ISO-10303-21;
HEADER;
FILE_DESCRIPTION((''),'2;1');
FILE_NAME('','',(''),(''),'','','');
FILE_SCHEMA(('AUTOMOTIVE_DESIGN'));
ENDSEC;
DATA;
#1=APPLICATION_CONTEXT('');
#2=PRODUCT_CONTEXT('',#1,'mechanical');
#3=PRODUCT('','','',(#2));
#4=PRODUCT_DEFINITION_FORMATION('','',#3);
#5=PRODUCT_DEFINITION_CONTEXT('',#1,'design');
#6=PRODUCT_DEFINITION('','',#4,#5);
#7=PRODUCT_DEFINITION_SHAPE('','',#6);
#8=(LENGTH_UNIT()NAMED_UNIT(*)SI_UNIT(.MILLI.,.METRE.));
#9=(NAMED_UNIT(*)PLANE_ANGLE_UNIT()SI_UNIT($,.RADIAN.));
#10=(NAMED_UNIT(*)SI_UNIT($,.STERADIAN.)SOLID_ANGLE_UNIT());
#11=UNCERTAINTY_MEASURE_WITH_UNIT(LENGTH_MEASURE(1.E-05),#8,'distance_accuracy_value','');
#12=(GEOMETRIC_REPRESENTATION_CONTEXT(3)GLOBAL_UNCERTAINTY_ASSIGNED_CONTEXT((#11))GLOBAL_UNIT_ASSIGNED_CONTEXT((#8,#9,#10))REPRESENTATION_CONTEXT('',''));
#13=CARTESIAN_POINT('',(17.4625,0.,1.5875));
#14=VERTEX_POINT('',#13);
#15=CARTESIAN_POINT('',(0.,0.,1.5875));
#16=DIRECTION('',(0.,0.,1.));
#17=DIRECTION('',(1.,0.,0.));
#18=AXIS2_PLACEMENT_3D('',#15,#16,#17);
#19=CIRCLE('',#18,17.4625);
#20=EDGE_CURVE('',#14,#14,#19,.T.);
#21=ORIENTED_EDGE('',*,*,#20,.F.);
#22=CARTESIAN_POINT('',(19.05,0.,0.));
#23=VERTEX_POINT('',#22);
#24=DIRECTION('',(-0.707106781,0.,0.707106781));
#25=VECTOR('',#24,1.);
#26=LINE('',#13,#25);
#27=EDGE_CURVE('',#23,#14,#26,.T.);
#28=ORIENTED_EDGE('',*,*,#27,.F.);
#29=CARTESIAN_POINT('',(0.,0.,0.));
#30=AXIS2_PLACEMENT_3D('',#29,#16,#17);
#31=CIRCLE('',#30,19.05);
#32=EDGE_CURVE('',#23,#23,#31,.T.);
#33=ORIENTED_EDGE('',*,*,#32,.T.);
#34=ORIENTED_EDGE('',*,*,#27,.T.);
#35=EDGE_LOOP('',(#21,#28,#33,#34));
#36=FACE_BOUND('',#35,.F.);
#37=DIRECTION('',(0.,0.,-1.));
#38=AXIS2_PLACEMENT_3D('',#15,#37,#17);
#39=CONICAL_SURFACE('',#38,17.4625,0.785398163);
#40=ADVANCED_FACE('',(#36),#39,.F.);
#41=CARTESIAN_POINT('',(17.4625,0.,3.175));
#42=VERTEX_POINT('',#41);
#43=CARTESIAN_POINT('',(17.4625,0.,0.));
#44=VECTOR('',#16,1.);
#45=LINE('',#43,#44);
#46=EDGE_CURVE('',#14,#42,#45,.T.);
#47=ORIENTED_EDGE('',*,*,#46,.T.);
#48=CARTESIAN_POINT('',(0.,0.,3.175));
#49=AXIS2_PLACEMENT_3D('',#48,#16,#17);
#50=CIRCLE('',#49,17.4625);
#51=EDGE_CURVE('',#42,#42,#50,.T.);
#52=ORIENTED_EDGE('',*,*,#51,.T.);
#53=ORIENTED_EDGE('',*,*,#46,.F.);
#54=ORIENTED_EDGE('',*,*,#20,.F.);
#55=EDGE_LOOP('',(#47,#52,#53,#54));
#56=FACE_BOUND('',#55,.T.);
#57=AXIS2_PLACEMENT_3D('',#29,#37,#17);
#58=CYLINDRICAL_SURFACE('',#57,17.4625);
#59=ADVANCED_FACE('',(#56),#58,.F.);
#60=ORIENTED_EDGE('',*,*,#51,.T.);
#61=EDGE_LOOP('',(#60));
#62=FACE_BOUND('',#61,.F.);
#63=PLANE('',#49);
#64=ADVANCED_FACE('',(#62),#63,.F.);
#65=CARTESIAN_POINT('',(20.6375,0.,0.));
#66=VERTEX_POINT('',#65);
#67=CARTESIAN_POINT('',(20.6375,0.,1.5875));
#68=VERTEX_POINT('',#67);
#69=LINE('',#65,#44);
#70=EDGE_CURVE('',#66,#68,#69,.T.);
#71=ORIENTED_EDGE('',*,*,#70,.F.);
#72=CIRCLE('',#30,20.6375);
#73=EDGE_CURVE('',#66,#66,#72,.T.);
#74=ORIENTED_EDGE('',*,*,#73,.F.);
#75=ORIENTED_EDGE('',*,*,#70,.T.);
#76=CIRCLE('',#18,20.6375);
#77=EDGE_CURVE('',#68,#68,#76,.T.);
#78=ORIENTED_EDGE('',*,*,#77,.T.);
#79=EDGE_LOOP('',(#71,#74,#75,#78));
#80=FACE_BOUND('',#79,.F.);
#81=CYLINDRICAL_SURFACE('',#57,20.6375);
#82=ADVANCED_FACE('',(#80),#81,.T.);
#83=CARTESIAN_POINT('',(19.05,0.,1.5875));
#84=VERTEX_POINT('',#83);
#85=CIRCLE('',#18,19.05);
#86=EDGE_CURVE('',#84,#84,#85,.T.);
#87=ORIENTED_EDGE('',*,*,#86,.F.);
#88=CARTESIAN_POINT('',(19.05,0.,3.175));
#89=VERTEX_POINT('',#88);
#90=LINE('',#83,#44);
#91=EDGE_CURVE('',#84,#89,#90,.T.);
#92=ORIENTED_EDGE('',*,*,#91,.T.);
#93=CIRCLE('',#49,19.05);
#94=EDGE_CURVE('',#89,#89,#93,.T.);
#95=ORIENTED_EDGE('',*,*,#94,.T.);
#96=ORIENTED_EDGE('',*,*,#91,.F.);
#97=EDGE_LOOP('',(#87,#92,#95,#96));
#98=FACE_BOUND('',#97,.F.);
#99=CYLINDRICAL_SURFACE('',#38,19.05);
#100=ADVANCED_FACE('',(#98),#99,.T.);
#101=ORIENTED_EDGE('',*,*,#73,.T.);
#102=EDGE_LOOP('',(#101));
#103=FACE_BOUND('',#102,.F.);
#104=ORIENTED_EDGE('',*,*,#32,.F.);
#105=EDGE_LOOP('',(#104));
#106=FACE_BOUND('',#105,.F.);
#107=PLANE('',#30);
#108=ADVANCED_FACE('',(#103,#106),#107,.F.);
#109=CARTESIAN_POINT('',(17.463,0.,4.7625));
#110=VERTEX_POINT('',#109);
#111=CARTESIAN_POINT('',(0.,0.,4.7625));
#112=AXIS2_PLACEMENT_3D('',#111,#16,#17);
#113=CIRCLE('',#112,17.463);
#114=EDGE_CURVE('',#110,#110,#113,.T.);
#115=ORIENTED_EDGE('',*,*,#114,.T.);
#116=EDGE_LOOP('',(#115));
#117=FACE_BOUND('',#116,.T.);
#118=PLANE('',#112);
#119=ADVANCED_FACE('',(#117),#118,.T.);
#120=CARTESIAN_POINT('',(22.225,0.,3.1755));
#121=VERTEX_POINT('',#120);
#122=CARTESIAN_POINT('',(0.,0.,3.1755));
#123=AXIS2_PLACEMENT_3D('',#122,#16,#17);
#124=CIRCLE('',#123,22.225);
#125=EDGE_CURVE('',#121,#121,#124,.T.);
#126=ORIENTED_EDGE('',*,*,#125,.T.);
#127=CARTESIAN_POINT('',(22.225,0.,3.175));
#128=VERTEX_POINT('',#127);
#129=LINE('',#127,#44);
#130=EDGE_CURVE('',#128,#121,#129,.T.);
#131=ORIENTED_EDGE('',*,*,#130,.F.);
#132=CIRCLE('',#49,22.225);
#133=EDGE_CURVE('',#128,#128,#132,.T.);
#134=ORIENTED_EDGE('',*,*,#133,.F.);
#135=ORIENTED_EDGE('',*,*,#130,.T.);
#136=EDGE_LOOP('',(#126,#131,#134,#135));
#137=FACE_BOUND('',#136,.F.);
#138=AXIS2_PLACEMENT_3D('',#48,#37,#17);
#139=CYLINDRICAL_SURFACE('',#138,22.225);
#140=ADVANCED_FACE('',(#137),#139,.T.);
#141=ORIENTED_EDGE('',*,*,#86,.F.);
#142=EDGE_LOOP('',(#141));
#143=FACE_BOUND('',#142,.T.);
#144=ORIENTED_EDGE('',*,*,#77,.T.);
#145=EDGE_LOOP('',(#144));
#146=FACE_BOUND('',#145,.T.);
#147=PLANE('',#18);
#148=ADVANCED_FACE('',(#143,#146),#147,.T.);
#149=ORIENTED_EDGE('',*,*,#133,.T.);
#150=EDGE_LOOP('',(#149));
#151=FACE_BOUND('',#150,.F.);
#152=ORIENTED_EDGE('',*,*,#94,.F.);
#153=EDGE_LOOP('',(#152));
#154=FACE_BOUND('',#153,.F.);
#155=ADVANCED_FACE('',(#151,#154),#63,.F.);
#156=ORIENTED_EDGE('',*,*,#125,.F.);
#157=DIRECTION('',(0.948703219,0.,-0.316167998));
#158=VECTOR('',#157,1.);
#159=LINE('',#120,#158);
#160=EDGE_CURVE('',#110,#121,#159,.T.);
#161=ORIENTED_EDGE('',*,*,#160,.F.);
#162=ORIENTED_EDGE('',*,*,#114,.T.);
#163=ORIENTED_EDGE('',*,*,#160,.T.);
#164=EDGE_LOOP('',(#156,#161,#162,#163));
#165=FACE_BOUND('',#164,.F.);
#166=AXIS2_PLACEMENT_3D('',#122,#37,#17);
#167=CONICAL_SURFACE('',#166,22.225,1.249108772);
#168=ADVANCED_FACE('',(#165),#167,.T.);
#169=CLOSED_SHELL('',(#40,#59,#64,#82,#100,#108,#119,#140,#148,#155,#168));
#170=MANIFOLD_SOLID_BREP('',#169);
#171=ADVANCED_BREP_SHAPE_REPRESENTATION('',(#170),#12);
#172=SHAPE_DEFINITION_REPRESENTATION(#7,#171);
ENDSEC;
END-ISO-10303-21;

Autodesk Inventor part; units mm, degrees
ref_plane "YZ Plane" through (0, 0, 0) normal (1, 0, 0) x (0, 1, 0)
ref_plane "XZ Plane" through (0, 0, 0) normal (0, 1, 0) x (-1, 0, 0)
ref_plane "XY Plane" through (0, 0, 0) normal (0, 0, 1) x (1, 0, 0)
sketch "Sketch1" plane through (0, 0, 0) normal (0, 0, 1) x (1, 0, 0)
  circle A0 centre (0, 0) radius 20.6375
  circle A1 centre (0, 0) radius 17.4625
  dimension "d0" = 41.275
  dimension "d1" = 34.925
extrude "Extrusion1" add sketch "Sketch1" along normal blind 1.5875
sketch "Sketch2" plane through (0, 0, 1.5875) normal (0, 0, 1) x (1, 0, 0)
  circle A0 centre (0, 0) radius 17.4625 projected
  circle A1 centre (0, 0) radius 20.6375 projected
  circle A2 centre (0, 0) radius 19.05
  dimension "d4" = 38.1
extrude "Extrusion2" add sketch "Sketch2" along normal blind 1.5875 contours A2
sketch "Sketch3" plane through (0, 0, 3.175) normal (0, 0, 1) x (1, 0, 0)
  circle A0 centre (0, 0) radius 19.05 projected
  circle A1 centre (0, 0) radius 22.225
  dimension "d7" = 44.45
extrude "Extrusion3" add sketch "Sketch3" along normal blind 1.5875 contours A0 | A1
chamfer "Chamfer1" distance 4.7625 distance2 1.5875 1 edges at (-22.225, 0, 4.7625) measured on face at (2.0252, -4.4852, 4.7625)
chamfer "Chamfer2" distance 1.5875 angle 45 1 edges at (-17.4625, 0, 0)
properties part number "Plastic Plug" material "Plastic, Opaque Black"
